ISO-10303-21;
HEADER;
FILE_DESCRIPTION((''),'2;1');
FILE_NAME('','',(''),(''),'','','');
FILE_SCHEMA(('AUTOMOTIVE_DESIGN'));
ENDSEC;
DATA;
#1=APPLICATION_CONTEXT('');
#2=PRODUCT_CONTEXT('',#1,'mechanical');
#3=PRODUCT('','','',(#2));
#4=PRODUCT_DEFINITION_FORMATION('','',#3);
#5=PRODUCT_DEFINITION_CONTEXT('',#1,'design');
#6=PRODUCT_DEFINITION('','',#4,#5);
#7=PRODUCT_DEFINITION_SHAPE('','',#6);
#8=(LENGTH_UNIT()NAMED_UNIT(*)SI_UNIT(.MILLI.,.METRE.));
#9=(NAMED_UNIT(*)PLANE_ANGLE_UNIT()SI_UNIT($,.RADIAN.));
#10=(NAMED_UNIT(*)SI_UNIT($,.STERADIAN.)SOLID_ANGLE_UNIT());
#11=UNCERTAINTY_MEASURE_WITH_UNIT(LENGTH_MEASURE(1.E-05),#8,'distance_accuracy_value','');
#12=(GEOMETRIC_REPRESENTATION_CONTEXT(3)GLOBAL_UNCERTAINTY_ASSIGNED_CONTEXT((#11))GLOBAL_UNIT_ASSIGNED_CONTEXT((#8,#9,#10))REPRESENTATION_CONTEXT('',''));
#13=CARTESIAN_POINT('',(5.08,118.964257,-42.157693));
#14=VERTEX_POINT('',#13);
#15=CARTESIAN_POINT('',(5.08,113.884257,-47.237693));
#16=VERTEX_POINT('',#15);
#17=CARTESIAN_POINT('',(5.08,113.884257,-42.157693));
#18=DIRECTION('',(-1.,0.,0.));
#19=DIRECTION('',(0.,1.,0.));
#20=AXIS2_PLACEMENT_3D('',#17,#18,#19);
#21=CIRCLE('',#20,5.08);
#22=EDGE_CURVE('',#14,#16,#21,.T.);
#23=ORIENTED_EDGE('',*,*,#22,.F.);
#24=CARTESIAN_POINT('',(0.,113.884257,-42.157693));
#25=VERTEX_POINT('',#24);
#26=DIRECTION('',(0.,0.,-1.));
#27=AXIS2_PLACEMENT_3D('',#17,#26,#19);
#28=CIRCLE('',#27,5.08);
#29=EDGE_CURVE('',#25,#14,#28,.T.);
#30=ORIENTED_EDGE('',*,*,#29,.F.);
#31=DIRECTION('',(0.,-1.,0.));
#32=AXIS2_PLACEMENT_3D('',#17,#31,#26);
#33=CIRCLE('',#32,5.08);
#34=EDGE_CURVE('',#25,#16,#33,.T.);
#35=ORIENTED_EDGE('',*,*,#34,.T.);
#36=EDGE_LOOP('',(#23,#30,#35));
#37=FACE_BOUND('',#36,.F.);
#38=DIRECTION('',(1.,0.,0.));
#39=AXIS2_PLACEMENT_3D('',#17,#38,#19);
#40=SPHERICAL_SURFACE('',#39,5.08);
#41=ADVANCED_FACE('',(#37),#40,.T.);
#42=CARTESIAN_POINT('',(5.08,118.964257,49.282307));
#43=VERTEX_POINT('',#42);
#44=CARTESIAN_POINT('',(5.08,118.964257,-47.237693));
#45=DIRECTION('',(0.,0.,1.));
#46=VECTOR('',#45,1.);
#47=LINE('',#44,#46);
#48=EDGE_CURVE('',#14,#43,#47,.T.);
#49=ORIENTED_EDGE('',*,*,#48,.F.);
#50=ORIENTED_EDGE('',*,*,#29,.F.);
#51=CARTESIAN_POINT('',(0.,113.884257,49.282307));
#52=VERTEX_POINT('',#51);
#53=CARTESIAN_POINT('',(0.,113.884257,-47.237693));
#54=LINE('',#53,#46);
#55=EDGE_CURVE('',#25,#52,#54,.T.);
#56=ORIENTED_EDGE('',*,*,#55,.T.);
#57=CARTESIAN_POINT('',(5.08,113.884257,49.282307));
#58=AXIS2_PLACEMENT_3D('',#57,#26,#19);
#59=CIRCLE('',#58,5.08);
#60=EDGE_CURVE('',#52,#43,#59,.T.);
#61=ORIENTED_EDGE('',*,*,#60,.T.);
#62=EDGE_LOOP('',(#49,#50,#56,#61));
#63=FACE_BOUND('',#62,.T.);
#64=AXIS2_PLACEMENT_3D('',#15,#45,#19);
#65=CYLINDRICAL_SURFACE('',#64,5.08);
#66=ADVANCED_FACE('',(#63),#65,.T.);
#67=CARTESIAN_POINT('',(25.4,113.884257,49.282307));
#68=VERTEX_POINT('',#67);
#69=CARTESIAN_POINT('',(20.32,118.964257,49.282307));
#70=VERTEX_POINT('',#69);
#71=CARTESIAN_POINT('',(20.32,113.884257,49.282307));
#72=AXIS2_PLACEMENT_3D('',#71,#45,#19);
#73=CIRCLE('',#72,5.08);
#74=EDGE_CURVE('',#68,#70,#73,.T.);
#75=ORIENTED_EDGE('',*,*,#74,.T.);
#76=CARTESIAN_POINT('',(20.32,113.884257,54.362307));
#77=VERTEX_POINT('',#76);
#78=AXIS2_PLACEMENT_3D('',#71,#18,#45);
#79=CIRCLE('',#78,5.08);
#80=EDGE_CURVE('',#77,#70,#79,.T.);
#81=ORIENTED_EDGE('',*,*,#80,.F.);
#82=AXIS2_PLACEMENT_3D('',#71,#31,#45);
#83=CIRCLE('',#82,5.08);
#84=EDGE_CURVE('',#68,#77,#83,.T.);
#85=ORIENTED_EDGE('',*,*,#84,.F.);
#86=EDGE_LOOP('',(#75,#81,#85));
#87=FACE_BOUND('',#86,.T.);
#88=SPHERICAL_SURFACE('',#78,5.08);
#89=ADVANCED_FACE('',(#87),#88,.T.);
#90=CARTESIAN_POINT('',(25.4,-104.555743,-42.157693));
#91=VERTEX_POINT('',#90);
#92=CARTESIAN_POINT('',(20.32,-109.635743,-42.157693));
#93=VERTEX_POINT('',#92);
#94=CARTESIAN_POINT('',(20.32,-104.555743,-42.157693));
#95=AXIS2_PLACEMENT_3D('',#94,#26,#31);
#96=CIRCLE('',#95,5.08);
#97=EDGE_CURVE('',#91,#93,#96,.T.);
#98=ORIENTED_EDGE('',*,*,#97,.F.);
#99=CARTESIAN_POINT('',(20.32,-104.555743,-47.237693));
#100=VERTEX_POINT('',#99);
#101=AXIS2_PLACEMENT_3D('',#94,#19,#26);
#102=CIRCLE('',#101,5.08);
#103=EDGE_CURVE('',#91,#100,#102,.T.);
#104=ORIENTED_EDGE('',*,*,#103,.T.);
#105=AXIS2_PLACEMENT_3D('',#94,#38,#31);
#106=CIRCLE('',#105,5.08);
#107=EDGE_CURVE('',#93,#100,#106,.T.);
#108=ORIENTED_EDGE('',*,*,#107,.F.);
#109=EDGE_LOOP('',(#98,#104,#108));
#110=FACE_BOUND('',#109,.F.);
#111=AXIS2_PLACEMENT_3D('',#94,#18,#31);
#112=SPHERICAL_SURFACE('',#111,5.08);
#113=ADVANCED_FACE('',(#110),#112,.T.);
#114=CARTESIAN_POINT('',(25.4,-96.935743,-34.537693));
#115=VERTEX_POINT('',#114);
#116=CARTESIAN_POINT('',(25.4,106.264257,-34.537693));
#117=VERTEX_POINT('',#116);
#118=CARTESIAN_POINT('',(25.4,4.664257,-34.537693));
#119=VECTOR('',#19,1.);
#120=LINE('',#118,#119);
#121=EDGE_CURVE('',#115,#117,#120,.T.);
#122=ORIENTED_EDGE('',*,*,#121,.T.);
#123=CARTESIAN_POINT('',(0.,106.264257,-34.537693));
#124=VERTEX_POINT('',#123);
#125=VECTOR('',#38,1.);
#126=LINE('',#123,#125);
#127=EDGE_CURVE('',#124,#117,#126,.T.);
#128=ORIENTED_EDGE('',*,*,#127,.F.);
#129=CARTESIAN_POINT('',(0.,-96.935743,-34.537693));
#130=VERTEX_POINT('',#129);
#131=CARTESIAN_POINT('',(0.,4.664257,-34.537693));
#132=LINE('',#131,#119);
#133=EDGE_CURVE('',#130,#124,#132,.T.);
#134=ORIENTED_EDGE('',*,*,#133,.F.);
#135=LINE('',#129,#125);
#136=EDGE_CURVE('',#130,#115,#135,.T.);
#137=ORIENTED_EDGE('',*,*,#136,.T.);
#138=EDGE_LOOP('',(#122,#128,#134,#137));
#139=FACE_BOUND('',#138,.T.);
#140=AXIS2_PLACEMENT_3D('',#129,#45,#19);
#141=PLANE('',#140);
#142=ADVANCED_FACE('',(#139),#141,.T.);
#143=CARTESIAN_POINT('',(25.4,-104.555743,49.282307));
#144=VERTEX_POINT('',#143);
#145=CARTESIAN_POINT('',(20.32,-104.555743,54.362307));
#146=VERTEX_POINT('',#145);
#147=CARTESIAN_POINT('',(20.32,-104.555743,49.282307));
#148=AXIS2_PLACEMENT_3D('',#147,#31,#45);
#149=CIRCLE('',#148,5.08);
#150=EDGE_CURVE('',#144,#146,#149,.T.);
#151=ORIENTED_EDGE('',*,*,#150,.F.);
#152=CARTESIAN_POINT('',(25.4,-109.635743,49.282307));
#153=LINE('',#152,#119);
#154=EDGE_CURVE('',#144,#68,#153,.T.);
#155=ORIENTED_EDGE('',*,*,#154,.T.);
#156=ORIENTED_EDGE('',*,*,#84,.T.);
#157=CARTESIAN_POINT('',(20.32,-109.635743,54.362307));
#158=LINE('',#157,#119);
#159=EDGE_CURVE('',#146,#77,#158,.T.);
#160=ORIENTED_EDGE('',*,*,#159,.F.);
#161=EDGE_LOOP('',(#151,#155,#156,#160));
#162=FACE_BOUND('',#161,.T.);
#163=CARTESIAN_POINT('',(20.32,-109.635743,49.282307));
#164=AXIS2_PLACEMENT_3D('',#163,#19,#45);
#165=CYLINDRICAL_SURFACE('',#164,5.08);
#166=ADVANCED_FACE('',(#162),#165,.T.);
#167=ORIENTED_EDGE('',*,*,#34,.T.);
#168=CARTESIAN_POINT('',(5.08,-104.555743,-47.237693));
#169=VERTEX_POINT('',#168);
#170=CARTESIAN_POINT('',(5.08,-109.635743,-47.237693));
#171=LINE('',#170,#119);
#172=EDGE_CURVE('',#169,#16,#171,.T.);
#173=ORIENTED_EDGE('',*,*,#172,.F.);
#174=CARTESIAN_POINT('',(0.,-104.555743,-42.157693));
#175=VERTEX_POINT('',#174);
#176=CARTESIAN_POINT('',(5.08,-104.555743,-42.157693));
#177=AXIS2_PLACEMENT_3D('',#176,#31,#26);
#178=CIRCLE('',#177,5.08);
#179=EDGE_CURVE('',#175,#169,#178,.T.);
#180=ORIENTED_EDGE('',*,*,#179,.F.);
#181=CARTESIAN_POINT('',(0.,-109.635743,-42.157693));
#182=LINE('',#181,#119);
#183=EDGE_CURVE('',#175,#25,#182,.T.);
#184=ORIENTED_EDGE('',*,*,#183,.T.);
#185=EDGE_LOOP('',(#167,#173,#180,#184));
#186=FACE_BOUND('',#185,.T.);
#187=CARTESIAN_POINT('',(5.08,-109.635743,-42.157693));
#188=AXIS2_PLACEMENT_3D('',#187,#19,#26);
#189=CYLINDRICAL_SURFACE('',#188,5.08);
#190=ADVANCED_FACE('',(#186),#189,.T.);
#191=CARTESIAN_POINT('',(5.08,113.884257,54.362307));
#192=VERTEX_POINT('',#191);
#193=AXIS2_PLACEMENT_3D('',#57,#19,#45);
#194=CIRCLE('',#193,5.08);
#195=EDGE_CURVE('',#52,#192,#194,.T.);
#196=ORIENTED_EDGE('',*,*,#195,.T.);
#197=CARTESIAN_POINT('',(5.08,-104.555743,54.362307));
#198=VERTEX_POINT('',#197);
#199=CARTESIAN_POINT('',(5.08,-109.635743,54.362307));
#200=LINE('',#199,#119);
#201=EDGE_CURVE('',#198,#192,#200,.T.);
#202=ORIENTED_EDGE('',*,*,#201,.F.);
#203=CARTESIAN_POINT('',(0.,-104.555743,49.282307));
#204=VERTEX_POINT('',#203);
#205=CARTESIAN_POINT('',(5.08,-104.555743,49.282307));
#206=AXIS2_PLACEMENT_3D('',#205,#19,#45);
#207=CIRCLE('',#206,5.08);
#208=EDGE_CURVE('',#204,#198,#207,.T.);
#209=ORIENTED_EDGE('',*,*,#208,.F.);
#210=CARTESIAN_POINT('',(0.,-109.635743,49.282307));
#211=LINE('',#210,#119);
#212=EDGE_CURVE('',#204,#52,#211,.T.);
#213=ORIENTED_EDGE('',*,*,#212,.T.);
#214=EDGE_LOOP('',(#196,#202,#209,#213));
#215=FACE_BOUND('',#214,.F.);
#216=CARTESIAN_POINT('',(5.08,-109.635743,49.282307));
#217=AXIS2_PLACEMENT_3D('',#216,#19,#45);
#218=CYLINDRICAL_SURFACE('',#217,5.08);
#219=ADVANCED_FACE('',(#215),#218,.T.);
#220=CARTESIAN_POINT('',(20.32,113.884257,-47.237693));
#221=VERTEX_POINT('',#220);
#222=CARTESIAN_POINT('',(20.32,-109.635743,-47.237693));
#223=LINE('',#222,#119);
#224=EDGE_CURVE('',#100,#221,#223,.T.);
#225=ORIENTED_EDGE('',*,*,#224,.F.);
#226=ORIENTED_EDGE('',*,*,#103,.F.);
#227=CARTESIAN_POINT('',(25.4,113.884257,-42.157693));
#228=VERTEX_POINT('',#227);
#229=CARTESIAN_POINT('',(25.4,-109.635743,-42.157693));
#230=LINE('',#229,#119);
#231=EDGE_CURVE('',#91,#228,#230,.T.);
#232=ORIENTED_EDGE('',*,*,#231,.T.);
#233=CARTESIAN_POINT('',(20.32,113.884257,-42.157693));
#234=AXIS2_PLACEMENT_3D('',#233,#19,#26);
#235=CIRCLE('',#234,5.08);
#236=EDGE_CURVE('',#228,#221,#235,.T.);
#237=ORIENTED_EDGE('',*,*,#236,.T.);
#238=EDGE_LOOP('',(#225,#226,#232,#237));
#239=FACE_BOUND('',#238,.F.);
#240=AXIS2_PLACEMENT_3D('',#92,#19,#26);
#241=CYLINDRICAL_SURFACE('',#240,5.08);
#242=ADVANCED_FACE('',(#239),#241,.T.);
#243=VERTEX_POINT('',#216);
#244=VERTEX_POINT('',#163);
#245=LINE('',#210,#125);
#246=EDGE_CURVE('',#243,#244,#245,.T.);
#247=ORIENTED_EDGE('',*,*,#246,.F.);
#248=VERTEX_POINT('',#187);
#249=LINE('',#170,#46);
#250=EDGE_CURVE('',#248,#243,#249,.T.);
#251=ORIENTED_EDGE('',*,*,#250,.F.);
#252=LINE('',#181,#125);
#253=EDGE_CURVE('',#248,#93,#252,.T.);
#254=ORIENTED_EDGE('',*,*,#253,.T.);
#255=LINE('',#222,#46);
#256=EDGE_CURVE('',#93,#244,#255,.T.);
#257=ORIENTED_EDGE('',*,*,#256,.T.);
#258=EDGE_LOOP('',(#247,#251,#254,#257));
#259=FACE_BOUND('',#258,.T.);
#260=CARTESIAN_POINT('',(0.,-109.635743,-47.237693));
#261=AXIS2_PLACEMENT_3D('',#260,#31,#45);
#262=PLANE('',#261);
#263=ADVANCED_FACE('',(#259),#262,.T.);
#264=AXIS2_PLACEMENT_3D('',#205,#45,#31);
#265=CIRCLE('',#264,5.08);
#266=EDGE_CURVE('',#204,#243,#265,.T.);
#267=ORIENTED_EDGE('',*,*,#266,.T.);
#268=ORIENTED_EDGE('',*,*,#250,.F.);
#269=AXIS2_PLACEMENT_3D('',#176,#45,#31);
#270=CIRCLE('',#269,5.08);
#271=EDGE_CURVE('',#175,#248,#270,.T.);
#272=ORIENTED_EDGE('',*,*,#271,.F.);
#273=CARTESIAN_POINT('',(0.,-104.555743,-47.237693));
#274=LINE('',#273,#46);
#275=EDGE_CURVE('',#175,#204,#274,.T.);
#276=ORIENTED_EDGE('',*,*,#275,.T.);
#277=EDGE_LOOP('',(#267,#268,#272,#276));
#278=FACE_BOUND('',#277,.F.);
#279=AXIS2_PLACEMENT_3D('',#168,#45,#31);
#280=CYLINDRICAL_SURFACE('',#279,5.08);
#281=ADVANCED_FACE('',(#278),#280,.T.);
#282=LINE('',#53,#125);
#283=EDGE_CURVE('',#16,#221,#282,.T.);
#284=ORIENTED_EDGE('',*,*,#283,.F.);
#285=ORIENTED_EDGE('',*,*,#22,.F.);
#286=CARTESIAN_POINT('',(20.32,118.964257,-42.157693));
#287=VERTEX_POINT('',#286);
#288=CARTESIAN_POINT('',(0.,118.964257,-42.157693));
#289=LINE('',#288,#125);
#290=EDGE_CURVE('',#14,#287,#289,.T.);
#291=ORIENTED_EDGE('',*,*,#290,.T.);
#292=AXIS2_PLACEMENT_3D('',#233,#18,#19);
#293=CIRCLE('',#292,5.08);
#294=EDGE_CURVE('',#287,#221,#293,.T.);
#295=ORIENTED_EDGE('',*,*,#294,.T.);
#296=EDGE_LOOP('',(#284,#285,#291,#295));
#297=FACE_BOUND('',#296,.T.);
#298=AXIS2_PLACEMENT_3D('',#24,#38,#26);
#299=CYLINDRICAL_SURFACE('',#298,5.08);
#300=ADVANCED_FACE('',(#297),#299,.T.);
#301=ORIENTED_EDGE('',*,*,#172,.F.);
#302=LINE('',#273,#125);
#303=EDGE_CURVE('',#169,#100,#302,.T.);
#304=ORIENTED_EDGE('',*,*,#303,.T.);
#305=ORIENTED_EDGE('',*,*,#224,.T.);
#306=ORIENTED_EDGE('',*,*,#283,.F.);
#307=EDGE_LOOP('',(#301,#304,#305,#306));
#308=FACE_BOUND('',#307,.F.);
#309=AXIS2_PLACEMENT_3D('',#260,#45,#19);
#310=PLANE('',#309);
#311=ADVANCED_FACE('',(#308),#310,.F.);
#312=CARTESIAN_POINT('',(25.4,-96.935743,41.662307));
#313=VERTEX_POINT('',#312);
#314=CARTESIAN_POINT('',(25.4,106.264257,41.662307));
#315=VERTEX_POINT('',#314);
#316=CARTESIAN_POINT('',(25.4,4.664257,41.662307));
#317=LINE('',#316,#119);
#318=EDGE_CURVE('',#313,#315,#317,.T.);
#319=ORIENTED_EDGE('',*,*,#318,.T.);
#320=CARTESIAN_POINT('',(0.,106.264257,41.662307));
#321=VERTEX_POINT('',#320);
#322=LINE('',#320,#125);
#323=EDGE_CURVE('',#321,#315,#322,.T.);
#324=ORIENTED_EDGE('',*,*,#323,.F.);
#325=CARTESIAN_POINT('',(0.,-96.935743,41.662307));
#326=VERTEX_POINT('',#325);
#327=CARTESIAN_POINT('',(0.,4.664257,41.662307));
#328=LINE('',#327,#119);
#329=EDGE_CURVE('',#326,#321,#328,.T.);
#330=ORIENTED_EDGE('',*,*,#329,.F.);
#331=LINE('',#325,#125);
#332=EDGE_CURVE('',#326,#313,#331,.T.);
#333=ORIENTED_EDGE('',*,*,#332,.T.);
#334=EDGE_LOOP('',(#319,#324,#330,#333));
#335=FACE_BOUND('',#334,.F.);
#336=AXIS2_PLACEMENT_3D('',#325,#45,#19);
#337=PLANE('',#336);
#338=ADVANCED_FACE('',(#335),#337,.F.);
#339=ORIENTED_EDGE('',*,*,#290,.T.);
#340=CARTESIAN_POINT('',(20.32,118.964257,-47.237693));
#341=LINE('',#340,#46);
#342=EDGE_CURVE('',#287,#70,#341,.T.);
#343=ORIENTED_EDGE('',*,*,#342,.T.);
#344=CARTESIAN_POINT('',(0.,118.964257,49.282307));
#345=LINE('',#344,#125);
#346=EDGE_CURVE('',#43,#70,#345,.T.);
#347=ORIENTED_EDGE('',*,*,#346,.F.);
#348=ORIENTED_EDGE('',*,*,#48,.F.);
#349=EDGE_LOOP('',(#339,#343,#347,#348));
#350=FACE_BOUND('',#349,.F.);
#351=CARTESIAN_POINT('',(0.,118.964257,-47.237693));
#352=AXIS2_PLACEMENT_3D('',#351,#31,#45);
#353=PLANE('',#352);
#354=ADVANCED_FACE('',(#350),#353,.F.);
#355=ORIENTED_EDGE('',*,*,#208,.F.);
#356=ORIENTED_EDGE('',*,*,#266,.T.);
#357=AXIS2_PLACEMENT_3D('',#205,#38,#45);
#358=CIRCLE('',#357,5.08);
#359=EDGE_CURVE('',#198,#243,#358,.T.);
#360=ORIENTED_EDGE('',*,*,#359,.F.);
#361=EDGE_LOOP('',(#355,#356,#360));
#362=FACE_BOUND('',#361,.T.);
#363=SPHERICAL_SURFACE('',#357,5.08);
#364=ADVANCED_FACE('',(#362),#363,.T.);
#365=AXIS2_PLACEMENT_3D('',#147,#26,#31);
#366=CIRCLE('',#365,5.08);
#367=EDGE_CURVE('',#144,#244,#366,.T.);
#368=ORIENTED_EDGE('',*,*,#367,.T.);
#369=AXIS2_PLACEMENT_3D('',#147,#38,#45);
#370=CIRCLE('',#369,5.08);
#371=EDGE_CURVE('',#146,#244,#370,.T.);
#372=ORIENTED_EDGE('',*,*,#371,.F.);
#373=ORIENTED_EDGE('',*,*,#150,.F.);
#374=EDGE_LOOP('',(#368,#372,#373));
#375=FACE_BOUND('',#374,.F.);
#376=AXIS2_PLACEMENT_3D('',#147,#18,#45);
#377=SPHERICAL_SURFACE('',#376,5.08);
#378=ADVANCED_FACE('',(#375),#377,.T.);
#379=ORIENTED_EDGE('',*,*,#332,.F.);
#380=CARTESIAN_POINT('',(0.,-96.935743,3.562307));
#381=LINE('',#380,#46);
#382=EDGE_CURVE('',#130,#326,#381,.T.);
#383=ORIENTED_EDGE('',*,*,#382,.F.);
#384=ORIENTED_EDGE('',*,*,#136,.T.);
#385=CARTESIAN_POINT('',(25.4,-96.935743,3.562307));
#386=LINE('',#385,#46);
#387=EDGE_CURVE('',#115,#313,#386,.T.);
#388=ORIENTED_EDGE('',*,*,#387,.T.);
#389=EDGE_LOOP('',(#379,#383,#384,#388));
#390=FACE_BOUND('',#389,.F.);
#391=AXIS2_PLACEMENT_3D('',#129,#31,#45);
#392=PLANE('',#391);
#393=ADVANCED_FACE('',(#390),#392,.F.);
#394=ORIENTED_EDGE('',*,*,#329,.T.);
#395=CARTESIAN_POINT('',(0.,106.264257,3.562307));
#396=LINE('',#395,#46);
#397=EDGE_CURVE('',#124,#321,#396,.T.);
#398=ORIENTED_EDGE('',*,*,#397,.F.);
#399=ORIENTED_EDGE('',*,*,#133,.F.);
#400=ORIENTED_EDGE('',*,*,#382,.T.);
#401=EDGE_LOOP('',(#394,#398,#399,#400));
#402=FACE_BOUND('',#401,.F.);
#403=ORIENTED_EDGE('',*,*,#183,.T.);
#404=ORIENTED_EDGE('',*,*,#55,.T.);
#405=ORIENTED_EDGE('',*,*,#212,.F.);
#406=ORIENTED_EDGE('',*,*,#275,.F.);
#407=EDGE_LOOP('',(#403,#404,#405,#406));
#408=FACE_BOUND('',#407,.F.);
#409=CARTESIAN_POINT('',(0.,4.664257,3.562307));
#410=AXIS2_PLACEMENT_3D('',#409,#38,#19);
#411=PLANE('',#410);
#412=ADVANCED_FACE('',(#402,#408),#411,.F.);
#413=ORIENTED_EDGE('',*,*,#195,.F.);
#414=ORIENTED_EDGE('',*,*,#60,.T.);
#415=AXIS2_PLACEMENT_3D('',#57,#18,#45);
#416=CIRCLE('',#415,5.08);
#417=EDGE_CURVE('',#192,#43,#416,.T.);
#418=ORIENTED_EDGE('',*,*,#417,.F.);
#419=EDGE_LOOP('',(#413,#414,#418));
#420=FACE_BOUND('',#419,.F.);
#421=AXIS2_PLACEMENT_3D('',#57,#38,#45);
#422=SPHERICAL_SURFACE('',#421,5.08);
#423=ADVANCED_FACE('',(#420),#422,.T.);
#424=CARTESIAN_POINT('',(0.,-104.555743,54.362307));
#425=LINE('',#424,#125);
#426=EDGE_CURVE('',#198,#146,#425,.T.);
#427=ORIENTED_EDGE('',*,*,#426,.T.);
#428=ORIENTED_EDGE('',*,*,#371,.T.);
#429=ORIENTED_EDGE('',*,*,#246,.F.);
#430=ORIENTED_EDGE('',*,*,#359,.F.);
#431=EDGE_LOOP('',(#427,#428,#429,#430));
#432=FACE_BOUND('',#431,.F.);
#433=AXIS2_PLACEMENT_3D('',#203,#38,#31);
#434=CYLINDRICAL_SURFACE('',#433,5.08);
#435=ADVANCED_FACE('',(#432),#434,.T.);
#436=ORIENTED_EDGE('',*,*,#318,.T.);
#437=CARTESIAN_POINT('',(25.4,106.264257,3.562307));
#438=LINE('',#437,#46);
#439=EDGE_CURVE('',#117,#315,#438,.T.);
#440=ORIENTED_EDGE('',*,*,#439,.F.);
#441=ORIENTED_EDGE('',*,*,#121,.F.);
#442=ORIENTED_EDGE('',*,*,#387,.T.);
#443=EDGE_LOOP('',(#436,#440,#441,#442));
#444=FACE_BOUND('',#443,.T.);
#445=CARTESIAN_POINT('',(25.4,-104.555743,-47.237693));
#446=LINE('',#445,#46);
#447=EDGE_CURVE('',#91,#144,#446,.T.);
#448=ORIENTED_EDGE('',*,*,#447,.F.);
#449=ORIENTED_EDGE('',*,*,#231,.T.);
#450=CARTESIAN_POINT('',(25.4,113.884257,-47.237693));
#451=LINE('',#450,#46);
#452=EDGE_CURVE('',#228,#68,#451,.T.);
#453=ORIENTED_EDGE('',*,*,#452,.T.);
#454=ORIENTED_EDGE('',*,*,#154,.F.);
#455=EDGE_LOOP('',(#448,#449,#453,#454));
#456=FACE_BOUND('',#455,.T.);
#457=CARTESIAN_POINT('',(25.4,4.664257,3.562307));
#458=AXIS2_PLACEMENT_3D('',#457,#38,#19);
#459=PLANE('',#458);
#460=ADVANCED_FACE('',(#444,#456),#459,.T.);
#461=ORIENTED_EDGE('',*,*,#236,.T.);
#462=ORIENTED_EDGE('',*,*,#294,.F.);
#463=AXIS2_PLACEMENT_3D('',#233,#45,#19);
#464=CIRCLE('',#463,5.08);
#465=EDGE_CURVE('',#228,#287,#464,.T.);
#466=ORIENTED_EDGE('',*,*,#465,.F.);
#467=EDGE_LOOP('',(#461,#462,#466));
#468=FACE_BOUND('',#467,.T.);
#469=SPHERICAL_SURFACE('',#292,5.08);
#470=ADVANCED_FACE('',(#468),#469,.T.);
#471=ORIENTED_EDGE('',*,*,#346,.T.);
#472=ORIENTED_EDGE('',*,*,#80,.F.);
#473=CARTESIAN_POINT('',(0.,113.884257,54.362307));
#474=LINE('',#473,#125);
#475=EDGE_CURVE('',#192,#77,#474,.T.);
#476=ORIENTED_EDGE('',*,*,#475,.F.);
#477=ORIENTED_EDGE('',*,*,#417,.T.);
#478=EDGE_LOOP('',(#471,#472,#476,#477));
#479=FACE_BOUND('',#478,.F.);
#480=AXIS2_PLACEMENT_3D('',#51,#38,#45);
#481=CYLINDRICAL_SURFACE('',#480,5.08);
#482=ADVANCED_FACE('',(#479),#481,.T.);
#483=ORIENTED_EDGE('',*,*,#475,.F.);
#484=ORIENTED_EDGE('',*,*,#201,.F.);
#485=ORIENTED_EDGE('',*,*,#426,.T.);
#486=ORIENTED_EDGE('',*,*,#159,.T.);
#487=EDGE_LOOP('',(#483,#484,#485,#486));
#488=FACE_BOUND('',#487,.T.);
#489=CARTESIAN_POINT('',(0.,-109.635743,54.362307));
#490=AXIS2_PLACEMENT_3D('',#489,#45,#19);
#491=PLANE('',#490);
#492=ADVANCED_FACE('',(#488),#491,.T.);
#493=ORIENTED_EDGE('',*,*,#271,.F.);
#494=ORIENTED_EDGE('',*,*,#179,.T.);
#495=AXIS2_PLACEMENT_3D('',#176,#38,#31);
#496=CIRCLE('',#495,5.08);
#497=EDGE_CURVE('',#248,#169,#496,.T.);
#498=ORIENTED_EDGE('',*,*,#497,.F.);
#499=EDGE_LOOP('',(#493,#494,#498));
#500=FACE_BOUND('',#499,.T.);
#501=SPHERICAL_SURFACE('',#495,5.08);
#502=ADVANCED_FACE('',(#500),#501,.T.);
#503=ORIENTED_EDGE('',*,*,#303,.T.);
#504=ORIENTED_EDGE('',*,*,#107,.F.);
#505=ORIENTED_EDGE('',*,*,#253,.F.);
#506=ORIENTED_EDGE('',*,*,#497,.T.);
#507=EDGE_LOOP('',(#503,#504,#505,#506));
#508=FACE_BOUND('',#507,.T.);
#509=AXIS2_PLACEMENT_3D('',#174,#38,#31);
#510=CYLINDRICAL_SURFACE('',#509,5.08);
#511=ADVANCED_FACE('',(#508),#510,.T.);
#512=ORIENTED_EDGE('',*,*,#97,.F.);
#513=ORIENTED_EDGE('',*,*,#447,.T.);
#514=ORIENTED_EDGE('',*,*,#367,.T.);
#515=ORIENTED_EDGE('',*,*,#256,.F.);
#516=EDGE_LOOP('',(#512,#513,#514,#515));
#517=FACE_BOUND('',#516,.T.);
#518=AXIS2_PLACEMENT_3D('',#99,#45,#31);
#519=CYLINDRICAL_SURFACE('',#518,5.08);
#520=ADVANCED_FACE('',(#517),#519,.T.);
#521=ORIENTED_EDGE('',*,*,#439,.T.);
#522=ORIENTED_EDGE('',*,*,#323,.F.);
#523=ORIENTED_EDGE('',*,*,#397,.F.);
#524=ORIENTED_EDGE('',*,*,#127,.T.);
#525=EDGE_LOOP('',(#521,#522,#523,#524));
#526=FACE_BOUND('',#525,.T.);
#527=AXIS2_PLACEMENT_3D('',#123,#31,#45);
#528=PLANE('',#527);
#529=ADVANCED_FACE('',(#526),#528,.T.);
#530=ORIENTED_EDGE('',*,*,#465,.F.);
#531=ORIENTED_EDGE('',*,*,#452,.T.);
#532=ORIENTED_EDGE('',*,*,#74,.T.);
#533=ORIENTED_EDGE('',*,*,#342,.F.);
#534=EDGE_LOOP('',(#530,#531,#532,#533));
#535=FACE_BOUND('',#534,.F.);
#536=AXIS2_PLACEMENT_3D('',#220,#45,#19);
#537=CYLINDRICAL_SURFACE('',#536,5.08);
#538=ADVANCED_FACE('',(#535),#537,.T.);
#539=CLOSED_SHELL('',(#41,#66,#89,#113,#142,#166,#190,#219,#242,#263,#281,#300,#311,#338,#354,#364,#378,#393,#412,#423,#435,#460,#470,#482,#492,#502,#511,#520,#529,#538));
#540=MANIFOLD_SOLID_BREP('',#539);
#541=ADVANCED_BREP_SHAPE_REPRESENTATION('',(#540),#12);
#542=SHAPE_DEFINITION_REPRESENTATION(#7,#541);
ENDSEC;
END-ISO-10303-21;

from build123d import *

# Parameters (mm, degrees)
F0_W     = 228.6
F0_H     = 101.6
F0_W_2   = 203.2
F0_H_2   = 76.2
F1_DEPTH = 25.4
F2_R     = 5.08


with BuildPart() as f1:
    # F0 (on Right) → F1 (new body)
    with BuildSketch(Plane.YZ):
        with Locations((4.664257, 3.562307)):
            Rectangle(F0_W, F0_H)
        with Locations((4.664257, 3.562307)):
            Rectangle(F0_W_2, F0_H_2, mode=Mode.SUBTRACT)
    extrude(amount=F1_DEPTH)

    # F2
    f2_edges = [f1.edges().sort_by_distance(p)[0] for p in [
        (12.7, 118.964257, 54.362307),
        (12.7, -109.635743, 54.362307),
        (0, 4.664257, 54.362307),
        (25.4, 4.664257, 54.362307),
        (12.7, -109.635743, -47.237693),
        (0, -109.635743, 3.562307),
        (25.4, -109.635743, 3.562307),
        (12.7, 118.964257, -47.237693),
        (0, 118.964257, 3.562307),
        (25.4, 118.964257, 3.562307),
        (0, 4.664257, -47.237693),
        (25.4, 4.664257, -47.237693),
    ]]
    fillet(f2_edges, radius=F2_R)


solid = f1.part
